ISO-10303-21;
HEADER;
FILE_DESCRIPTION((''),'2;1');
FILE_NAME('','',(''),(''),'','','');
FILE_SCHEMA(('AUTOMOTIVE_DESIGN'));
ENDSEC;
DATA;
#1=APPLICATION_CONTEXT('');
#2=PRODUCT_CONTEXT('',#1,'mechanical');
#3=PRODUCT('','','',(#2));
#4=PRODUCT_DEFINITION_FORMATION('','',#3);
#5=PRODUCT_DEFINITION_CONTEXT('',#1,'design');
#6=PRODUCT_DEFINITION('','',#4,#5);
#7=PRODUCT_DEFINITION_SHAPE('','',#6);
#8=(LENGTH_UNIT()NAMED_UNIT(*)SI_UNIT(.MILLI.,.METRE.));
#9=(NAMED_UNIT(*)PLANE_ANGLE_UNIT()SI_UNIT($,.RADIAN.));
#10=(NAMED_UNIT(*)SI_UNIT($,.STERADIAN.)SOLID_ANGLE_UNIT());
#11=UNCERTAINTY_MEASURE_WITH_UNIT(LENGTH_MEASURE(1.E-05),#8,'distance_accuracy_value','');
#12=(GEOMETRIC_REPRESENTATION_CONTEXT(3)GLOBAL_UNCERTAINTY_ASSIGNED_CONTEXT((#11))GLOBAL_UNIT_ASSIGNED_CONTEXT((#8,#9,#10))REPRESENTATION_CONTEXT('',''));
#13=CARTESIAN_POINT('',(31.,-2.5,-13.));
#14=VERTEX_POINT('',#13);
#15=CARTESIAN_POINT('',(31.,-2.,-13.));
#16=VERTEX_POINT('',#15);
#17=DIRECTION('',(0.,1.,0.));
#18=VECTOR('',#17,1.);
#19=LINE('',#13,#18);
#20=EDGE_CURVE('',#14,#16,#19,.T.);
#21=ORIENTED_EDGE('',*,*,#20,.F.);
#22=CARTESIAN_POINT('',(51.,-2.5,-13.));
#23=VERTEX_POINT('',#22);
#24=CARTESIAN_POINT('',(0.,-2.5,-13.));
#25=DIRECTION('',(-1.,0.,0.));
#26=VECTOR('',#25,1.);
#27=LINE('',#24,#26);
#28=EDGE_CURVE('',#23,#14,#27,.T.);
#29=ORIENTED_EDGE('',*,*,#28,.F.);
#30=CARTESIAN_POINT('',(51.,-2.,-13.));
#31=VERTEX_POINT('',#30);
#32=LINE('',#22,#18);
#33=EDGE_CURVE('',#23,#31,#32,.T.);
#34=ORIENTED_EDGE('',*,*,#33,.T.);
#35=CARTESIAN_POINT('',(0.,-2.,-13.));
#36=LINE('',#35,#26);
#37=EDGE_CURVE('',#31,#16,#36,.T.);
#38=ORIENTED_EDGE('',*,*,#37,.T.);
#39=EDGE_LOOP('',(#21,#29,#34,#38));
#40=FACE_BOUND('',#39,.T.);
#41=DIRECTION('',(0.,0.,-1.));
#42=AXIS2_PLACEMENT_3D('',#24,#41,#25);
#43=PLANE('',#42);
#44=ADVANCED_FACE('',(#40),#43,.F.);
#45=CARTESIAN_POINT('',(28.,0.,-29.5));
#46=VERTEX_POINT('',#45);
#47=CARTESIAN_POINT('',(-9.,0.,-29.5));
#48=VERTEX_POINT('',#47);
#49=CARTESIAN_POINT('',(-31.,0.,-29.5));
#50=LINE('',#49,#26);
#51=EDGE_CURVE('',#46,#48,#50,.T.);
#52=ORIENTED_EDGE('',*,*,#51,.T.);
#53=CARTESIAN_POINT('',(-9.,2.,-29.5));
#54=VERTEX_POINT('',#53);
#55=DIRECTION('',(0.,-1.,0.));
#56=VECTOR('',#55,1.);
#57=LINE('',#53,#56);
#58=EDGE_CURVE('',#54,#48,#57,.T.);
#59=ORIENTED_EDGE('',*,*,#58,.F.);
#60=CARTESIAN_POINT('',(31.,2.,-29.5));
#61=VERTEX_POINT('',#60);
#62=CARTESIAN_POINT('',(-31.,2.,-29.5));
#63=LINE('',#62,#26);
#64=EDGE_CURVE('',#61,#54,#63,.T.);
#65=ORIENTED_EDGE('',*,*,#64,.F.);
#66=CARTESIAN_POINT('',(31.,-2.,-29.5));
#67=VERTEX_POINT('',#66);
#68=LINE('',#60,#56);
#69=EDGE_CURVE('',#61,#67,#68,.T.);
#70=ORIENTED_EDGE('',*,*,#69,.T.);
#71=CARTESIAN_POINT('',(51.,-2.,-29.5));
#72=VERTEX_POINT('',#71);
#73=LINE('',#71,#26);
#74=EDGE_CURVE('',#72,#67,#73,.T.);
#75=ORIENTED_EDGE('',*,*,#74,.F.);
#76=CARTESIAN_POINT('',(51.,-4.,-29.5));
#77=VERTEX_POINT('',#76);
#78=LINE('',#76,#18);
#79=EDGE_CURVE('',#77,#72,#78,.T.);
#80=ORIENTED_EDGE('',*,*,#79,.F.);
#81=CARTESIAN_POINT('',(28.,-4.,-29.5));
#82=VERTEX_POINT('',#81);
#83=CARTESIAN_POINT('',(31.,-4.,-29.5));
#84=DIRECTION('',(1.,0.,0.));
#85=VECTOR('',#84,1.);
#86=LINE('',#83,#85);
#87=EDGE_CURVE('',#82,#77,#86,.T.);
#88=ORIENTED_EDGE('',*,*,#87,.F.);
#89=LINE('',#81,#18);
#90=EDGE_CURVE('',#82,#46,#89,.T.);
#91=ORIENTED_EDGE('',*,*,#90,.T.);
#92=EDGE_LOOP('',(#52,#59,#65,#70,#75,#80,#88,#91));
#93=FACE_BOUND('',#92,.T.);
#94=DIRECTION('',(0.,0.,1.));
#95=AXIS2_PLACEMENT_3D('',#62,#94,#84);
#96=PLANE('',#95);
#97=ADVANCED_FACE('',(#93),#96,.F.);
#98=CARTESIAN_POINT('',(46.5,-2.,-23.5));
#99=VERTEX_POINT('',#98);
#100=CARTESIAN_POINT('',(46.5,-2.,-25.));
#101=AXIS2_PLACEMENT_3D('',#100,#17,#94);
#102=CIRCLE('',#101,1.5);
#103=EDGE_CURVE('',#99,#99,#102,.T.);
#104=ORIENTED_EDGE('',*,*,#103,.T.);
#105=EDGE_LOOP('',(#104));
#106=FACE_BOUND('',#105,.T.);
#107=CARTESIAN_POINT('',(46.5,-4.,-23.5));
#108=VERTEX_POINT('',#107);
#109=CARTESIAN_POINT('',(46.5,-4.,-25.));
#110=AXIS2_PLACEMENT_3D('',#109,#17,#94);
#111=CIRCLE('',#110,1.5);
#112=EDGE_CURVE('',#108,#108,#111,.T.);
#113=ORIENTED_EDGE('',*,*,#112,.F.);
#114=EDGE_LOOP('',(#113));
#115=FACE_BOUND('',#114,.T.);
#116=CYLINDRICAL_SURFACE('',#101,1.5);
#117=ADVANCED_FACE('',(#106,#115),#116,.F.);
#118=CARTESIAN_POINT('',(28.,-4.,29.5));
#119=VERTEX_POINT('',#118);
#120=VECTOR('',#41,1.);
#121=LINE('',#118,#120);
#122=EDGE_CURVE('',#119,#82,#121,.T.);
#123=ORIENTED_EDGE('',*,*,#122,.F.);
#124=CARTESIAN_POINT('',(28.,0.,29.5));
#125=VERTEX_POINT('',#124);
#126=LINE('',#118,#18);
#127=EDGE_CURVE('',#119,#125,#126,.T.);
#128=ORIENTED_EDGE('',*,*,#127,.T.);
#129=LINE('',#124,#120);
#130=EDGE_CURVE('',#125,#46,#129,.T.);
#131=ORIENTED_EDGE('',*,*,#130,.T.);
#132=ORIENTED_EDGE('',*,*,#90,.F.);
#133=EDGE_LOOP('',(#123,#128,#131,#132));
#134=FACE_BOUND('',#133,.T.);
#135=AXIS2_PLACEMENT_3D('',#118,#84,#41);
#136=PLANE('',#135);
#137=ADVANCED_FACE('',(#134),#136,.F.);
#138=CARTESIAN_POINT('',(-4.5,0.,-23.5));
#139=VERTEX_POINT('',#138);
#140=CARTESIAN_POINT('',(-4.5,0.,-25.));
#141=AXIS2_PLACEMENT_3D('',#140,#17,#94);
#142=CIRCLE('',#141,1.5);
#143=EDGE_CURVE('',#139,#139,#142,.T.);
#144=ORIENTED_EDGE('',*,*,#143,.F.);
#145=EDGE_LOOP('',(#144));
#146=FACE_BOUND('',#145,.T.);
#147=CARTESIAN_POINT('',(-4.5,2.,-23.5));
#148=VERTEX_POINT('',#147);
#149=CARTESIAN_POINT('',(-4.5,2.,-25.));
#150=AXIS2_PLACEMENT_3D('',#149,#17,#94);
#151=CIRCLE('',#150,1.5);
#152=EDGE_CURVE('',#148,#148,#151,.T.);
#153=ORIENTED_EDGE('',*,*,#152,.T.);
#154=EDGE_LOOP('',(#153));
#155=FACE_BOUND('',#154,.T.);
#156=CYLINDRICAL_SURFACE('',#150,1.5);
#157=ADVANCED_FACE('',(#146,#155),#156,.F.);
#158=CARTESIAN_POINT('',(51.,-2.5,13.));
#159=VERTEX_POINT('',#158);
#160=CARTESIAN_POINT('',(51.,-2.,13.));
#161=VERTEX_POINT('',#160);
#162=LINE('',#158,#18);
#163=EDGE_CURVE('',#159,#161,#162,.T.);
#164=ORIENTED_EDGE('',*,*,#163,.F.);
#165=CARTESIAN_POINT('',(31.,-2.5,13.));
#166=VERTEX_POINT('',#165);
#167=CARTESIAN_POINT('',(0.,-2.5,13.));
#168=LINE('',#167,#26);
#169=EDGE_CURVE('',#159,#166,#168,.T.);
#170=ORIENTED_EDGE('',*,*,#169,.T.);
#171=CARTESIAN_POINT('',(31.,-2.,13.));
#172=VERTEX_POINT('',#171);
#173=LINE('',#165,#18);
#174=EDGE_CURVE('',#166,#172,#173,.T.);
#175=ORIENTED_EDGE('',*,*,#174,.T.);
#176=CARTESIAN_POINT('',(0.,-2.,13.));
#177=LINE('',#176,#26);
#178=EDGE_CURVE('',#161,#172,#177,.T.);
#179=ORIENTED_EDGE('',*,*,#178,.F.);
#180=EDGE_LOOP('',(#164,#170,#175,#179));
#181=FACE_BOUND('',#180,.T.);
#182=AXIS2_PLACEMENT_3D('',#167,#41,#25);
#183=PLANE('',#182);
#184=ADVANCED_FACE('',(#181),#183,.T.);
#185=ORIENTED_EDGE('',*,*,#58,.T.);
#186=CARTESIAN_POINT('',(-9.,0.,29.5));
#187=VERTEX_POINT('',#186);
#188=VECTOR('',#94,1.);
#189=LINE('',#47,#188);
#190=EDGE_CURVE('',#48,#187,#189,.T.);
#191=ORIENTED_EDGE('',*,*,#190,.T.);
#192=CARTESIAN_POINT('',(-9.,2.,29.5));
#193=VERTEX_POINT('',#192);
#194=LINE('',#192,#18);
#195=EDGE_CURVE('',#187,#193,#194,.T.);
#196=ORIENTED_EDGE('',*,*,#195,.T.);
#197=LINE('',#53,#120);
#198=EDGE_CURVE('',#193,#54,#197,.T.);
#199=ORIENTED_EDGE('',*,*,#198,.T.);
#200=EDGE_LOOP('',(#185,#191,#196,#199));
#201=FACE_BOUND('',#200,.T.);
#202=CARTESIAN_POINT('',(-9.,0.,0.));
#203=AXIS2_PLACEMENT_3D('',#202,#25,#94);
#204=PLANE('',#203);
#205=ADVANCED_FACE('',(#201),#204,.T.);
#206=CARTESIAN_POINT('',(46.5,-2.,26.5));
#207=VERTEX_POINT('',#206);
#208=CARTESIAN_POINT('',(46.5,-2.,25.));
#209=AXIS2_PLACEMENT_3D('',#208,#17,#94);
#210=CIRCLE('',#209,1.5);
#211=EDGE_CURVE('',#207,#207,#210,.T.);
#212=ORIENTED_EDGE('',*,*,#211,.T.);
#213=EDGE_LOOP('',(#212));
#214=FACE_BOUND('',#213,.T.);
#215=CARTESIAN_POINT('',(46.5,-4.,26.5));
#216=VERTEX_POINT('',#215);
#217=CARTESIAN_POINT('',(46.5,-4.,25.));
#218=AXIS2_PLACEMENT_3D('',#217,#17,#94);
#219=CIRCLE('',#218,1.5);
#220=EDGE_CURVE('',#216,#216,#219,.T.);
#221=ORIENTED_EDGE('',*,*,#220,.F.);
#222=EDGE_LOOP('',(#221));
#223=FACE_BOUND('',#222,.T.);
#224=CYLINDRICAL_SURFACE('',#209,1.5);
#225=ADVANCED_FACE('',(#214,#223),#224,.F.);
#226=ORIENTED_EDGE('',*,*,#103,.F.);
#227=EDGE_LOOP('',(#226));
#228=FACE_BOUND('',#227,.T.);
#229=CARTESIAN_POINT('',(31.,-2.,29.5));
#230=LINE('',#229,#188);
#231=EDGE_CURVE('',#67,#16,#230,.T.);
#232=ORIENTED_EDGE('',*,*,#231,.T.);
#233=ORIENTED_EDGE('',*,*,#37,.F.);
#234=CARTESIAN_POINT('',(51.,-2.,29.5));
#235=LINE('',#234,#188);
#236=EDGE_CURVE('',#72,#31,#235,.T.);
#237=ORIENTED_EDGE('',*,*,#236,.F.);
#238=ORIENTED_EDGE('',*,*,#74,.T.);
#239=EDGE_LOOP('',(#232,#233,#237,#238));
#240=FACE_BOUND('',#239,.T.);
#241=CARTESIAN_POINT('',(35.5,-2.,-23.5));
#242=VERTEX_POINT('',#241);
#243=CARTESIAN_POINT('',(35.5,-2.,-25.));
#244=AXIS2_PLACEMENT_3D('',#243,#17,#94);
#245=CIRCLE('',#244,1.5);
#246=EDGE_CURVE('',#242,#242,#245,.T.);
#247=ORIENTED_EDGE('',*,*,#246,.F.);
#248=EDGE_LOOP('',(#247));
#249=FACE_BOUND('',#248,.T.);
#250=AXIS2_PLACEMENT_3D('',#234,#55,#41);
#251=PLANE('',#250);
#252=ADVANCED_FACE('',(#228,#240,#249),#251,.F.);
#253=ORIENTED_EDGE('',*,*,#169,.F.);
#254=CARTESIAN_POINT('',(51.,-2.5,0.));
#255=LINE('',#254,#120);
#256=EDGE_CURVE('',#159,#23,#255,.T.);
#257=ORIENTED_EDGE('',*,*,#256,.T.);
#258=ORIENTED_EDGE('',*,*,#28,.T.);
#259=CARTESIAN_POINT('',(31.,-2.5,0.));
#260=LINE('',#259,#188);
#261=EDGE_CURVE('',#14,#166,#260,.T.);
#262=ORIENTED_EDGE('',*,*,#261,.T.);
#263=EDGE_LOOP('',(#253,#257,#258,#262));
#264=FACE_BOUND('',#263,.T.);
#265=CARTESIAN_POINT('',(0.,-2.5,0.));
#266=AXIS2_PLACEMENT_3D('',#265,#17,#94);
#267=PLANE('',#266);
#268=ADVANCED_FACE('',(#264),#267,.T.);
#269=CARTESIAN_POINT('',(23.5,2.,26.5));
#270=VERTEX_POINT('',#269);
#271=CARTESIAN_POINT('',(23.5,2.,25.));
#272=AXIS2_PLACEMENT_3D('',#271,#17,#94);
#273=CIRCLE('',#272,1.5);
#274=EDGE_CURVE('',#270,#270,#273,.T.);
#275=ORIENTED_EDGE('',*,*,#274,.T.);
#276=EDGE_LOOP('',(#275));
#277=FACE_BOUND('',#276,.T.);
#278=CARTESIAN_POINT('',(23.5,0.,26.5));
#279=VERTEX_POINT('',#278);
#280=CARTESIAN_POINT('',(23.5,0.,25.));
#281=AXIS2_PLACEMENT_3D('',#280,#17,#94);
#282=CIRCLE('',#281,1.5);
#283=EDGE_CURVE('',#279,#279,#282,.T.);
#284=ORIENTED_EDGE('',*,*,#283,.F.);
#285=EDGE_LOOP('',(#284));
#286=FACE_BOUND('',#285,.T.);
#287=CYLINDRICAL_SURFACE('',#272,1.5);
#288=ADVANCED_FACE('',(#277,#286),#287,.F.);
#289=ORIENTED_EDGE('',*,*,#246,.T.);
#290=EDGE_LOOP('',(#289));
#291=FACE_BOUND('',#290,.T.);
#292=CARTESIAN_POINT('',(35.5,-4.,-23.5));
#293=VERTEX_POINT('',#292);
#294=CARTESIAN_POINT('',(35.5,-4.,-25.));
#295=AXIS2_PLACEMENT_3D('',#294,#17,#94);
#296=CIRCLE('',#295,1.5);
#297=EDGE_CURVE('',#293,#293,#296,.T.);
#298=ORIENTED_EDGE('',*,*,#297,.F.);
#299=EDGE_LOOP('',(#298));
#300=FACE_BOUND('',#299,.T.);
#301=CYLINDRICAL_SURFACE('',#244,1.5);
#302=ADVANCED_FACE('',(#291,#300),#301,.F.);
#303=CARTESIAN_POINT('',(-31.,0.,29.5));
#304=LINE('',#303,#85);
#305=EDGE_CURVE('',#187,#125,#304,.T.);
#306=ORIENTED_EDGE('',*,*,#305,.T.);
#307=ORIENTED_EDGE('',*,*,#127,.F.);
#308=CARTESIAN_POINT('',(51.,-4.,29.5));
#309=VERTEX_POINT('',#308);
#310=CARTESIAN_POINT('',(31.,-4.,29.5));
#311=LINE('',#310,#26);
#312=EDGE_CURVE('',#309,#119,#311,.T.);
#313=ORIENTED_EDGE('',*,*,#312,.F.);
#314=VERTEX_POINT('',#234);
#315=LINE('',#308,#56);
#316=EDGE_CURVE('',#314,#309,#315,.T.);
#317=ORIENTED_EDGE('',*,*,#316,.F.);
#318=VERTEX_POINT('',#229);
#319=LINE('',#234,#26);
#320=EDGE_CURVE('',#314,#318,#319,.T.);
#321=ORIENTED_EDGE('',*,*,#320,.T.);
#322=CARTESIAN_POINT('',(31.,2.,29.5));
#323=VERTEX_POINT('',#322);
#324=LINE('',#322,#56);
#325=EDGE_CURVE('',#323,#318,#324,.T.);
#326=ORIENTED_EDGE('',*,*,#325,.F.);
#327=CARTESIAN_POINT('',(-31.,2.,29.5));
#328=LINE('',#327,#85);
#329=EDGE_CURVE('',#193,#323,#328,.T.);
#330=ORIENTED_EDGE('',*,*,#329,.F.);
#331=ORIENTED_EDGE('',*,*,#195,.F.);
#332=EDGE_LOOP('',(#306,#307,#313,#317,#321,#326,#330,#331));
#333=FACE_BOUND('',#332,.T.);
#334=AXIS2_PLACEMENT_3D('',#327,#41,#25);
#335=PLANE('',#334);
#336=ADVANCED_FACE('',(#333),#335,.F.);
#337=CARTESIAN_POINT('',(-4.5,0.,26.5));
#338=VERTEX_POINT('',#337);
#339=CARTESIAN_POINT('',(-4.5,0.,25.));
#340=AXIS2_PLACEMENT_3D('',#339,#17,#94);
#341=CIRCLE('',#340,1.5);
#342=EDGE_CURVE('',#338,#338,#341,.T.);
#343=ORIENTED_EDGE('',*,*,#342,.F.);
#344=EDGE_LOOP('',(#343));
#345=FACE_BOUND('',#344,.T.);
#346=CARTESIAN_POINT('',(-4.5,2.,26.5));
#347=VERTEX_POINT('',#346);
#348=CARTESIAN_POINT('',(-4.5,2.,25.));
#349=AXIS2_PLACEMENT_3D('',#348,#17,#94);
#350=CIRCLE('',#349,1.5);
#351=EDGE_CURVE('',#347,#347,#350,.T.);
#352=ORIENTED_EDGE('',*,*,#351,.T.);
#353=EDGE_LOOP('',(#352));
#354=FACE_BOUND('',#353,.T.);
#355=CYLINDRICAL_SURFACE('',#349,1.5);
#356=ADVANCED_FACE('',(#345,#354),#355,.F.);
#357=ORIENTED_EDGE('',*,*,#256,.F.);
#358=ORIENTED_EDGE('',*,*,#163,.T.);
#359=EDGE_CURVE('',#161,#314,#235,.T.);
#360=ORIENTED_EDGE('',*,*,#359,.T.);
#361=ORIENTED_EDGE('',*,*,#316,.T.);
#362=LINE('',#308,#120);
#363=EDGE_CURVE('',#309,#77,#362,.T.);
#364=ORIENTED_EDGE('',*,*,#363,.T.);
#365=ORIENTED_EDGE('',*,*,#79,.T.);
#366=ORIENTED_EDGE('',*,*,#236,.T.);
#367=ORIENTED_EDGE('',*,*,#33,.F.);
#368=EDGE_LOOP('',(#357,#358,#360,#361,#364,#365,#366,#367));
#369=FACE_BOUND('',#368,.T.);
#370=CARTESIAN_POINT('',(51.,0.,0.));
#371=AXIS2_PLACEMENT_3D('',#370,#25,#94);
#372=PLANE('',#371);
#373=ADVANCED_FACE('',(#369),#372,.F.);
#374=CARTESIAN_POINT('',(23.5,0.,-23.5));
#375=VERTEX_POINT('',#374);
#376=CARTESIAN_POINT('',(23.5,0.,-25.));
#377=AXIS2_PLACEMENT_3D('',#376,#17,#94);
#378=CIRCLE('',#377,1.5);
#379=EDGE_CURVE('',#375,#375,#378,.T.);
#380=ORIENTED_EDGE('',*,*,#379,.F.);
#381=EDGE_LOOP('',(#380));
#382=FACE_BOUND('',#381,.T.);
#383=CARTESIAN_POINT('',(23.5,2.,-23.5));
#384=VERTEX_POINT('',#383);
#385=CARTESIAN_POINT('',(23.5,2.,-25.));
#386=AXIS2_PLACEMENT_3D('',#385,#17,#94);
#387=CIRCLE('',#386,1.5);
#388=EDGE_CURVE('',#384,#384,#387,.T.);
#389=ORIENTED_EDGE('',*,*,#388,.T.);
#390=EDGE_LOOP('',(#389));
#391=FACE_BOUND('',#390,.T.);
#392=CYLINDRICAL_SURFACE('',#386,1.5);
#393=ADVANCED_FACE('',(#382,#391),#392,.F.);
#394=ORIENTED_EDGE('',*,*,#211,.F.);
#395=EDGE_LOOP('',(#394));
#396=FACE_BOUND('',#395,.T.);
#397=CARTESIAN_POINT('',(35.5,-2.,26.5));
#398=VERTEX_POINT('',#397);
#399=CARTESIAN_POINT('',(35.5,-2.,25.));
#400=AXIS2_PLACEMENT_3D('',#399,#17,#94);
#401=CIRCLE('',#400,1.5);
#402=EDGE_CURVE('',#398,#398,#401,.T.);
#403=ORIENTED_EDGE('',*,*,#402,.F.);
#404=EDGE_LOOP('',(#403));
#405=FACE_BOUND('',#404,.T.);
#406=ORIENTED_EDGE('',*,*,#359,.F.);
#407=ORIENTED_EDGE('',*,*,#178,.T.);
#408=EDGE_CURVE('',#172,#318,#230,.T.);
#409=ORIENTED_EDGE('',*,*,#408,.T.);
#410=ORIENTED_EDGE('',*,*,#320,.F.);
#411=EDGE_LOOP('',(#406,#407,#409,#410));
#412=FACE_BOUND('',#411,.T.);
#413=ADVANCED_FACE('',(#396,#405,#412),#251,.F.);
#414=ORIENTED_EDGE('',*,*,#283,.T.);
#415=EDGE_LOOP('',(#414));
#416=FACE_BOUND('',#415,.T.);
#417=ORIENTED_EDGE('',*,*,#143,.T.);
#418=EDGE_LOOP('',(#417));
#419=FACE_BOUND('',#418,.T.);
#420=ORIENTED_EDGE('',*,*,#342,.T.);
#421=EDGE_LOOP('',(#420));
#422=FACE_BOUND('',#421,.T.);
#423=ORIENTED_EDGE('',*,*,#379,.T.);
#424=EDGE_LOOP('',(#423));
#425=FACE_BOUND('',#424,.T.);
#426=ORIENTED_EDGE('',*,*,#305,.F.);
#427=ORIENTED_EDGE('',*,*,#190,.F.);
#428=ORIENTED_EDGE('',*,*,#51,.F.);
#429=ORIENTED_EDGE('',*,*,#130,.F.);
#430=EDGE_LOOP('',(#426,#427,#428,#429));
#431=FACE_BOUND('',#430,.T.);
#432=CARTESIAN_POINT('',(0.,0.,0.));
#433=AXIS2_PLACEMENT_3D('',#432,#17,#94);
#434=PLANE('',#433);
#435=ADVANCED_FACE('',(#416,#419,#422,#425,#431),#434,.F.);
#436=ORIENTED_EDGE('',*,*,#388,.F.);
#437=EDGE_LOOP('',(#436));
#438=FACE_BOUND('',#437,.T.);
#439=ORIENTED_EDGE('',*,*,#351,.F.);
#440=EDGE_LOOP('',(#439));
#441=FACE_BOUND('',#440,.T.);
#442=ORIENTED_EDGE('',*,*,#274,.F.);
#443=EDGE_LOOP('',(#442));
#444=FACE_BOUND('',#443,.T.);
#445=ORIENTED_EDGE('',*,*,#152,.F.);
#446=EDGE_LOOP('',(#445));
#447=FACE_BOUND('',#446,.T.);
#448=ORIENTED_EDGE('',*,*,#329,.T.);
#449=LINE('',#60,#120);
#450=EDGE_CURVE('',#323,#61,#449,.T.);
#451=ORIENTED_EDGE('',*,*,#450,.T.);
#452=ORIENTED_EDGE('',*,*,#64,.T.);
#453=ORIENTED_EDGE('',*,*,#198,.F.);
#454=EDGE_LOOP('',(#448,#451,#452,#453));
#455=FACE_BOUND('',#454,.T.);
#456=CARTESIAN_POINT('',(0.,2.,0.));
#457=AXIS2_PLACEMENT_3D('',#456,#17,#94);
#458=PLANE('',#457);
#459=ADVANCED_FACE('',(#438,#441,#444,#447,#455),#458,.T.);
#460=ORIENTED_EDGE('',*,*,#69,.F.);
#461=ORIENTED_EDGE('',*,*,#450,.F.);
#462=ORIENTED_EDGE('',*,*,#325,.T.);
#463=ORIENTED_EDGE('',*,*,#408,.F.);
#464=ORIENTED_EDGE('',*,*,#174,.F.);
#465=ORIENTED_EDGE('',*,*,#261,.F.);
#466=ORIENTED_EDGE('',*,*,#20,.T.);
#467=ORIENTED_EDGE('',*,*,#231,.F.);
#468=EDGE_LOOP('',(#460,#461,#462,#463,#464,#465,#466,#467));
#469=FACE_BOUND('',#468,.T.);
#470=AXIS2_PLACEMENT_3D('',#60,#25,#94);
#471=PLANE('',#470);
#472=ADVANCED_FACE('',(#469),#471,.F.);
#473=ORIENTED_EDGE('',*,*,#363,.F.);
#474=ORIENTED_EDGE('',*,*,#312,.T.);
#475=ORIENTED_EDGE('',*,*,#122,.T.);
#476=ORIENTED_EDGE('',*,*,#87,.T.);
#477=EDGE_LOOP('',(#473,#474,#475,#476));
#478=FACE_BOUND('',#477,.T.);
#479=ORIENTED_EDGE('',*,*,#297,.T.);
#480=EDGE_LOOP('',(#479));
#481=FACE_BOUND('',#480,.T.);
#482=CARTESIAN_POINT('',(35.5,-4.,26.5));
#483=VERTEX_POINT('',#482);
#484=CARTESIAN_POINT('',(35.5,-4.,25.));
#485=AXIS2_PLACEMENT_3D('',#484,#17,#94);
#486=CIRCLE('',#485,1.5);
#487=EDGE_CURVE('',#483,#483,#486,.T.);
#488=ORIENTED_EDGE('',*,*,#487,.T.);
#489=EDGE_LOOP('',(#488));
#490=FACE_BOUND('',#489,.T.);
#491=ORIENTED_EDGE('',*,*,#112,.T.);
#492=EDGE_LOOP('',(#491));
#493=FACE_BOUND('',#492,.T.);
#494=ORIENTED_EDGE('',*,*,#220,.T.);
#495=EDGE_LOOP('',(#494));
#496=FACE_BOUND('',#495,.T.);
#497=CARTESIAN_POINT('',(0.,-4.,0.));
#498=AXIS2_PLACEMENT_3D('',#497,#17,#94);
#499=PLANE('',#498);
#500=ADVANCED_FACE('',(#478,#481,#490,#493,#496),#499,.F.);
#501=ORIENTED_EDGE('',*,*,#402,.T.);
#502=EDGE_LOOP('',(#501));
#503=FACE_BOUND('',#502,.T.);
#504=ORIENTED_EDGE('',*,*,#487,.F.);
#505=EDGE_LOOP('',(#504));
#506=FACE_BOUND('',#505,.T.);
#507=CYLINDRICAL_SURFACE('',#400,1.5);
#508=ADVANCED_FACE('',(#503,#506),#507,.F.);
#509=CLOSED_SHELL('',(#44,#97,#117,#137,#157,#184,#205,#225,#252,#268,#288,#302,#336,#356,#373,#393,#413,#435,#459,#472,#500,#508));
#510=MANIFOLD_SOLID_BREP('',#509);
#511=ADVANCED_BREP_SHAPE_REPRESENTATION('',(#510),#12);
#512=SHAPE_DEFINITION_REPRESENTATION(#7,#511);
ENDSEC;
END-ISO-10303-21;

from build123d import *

# Parameters (mm, degrees)
SKETCH_1_W          = 62
SKETCH_1_H          = 59
EXTRUDE_1_DEPTH     = 2
SKETCH_2_W          = 3
SKETCH_2_H          = 59
EXTRUDE_2_DEPTH     = 4
SKETCH_3_W          = 59
SKETCH_3_H          = 2
EXTRUDE_3_DEPTH     = 20
HOLE_WIZARD_M3_2_D  = 3
HOLE_WIZARD_M3_1_D  = 3
SKETCH_6_R          = 1.5
CUT_EXTRUDE_3_DEPTH = 10
SKETCH_7_W          = 59
SKETCH_7_H          = 2
CUT_EXTRUDE_4_DEPTH = 22
HOLE_WIZARD_M3_3_D  = 3
CUT_EXTRUDE_6_DEPTH = 0.5


with BuildPart() as part:
    # 草图1 → 凸台-拉伸1 (new body)
    with BuildSketch(Plane(origin=(0, 0, 0), x_dir=(1, 0, 0), z_dir=(0, 1, 0))):
        Rectangle(SKETCH_1_W, SKETCH_1_H)
    extrude(amount=EXTRUDE_1_DEPTH)

    # 草图2 → 凸台-拉伸2 (add)
    with BuildSketch(Plane.XZ):
        with Locations((29.5, 0)):
            Rectangle(SKETCH_2_W, SKETCH_2_H)
    extrude(amount=EXTRUDE_2_DEPTH)

    # 草图3 → 凸台-拉伸3 (add)
    with BuildSketch(Plane(origin=(31, 0, 0), x_dir=(0, 0, -1), z_dir=(1, 0, 0))):
        with Locations((0, -3)):
            Rectangle(SKETCH_3_W, SKETCH_3_H)
    extrude(amount=EXTRUDE_3_DEPTH)

    # M3 螺纹孔2 (through all)
    with Locations(Plane(origin=(23.5, 2, -25), x_dir=(0, 0, 1), z_dir=(0, 1, 0))):
        with Locations((0, 0), (50, 0)):
            Hole(HOLE_WIZARD_M3_2_D / 2)

    # M3 螺纹孔1 (through all)
    with Locations(Plane(origin=(35.5, -2, -25), x_dir=(0, 0, 1), z_dir=(0, 1, 0))):
        with Locations((0, 0), (0, 11), (50, 0), (50, 11)):
            Hole(HOLE_WIZARD_M3_1_D / 2)

    # 草图6 → 切除-拉伸3 (cut)
    with BuildSketch(Plane(origin=(0, 2, 0), x_dir=(1, 0, 0), z_dir=(0, 1, 0))):
        with Locations((-26.5, 25)):
            Circle(SKETCH_6_R)
        with Locations((-26.5, -25)):
            Circle(SKETCH_6_R)
    extrude(amount=-CUT_EXTRUDE_3_DEPTH, mode=Mode.SUBTRACT)

    # 草图7 → 切除-拉伸4 (cut)
    with BuildSketch(Plane.ZY.offset(31)):
        with Locations((0, 1)):
            Rectangle(SKETCH_7_W, SKETCH_7_H)
    extrude(amount=-CUT_EXTRUDE_4_DEPTH, mode=Mode.SUBTRACT)

    # M3 螺纹孔3 (through all)
    with Locations(Plane(origin=(-4.5, 2, -25), x_dir=(0, 0, 1), z_dir=(0, 1, 0))):
        with Locations((0, 0), (50, 0)):
            Hole(HOLE_WIZARD_M3_3_D / 2)

    # 草图9 → 切除-拉伸6 (cut)
    with BuildSketch(Plane(origin=(0, -2, 0), x_dir=(1, 0, 0), z_dir=(0, 1, 0))):
        Polygon((51, -13), (51, 0), (51, 13), (31, 13), (31, -13), align=None)
    extrude(amount=-CUT_EXTRUDE_6_DEPTH, mode=Mode.SUBTRACT)


solid = part.part
